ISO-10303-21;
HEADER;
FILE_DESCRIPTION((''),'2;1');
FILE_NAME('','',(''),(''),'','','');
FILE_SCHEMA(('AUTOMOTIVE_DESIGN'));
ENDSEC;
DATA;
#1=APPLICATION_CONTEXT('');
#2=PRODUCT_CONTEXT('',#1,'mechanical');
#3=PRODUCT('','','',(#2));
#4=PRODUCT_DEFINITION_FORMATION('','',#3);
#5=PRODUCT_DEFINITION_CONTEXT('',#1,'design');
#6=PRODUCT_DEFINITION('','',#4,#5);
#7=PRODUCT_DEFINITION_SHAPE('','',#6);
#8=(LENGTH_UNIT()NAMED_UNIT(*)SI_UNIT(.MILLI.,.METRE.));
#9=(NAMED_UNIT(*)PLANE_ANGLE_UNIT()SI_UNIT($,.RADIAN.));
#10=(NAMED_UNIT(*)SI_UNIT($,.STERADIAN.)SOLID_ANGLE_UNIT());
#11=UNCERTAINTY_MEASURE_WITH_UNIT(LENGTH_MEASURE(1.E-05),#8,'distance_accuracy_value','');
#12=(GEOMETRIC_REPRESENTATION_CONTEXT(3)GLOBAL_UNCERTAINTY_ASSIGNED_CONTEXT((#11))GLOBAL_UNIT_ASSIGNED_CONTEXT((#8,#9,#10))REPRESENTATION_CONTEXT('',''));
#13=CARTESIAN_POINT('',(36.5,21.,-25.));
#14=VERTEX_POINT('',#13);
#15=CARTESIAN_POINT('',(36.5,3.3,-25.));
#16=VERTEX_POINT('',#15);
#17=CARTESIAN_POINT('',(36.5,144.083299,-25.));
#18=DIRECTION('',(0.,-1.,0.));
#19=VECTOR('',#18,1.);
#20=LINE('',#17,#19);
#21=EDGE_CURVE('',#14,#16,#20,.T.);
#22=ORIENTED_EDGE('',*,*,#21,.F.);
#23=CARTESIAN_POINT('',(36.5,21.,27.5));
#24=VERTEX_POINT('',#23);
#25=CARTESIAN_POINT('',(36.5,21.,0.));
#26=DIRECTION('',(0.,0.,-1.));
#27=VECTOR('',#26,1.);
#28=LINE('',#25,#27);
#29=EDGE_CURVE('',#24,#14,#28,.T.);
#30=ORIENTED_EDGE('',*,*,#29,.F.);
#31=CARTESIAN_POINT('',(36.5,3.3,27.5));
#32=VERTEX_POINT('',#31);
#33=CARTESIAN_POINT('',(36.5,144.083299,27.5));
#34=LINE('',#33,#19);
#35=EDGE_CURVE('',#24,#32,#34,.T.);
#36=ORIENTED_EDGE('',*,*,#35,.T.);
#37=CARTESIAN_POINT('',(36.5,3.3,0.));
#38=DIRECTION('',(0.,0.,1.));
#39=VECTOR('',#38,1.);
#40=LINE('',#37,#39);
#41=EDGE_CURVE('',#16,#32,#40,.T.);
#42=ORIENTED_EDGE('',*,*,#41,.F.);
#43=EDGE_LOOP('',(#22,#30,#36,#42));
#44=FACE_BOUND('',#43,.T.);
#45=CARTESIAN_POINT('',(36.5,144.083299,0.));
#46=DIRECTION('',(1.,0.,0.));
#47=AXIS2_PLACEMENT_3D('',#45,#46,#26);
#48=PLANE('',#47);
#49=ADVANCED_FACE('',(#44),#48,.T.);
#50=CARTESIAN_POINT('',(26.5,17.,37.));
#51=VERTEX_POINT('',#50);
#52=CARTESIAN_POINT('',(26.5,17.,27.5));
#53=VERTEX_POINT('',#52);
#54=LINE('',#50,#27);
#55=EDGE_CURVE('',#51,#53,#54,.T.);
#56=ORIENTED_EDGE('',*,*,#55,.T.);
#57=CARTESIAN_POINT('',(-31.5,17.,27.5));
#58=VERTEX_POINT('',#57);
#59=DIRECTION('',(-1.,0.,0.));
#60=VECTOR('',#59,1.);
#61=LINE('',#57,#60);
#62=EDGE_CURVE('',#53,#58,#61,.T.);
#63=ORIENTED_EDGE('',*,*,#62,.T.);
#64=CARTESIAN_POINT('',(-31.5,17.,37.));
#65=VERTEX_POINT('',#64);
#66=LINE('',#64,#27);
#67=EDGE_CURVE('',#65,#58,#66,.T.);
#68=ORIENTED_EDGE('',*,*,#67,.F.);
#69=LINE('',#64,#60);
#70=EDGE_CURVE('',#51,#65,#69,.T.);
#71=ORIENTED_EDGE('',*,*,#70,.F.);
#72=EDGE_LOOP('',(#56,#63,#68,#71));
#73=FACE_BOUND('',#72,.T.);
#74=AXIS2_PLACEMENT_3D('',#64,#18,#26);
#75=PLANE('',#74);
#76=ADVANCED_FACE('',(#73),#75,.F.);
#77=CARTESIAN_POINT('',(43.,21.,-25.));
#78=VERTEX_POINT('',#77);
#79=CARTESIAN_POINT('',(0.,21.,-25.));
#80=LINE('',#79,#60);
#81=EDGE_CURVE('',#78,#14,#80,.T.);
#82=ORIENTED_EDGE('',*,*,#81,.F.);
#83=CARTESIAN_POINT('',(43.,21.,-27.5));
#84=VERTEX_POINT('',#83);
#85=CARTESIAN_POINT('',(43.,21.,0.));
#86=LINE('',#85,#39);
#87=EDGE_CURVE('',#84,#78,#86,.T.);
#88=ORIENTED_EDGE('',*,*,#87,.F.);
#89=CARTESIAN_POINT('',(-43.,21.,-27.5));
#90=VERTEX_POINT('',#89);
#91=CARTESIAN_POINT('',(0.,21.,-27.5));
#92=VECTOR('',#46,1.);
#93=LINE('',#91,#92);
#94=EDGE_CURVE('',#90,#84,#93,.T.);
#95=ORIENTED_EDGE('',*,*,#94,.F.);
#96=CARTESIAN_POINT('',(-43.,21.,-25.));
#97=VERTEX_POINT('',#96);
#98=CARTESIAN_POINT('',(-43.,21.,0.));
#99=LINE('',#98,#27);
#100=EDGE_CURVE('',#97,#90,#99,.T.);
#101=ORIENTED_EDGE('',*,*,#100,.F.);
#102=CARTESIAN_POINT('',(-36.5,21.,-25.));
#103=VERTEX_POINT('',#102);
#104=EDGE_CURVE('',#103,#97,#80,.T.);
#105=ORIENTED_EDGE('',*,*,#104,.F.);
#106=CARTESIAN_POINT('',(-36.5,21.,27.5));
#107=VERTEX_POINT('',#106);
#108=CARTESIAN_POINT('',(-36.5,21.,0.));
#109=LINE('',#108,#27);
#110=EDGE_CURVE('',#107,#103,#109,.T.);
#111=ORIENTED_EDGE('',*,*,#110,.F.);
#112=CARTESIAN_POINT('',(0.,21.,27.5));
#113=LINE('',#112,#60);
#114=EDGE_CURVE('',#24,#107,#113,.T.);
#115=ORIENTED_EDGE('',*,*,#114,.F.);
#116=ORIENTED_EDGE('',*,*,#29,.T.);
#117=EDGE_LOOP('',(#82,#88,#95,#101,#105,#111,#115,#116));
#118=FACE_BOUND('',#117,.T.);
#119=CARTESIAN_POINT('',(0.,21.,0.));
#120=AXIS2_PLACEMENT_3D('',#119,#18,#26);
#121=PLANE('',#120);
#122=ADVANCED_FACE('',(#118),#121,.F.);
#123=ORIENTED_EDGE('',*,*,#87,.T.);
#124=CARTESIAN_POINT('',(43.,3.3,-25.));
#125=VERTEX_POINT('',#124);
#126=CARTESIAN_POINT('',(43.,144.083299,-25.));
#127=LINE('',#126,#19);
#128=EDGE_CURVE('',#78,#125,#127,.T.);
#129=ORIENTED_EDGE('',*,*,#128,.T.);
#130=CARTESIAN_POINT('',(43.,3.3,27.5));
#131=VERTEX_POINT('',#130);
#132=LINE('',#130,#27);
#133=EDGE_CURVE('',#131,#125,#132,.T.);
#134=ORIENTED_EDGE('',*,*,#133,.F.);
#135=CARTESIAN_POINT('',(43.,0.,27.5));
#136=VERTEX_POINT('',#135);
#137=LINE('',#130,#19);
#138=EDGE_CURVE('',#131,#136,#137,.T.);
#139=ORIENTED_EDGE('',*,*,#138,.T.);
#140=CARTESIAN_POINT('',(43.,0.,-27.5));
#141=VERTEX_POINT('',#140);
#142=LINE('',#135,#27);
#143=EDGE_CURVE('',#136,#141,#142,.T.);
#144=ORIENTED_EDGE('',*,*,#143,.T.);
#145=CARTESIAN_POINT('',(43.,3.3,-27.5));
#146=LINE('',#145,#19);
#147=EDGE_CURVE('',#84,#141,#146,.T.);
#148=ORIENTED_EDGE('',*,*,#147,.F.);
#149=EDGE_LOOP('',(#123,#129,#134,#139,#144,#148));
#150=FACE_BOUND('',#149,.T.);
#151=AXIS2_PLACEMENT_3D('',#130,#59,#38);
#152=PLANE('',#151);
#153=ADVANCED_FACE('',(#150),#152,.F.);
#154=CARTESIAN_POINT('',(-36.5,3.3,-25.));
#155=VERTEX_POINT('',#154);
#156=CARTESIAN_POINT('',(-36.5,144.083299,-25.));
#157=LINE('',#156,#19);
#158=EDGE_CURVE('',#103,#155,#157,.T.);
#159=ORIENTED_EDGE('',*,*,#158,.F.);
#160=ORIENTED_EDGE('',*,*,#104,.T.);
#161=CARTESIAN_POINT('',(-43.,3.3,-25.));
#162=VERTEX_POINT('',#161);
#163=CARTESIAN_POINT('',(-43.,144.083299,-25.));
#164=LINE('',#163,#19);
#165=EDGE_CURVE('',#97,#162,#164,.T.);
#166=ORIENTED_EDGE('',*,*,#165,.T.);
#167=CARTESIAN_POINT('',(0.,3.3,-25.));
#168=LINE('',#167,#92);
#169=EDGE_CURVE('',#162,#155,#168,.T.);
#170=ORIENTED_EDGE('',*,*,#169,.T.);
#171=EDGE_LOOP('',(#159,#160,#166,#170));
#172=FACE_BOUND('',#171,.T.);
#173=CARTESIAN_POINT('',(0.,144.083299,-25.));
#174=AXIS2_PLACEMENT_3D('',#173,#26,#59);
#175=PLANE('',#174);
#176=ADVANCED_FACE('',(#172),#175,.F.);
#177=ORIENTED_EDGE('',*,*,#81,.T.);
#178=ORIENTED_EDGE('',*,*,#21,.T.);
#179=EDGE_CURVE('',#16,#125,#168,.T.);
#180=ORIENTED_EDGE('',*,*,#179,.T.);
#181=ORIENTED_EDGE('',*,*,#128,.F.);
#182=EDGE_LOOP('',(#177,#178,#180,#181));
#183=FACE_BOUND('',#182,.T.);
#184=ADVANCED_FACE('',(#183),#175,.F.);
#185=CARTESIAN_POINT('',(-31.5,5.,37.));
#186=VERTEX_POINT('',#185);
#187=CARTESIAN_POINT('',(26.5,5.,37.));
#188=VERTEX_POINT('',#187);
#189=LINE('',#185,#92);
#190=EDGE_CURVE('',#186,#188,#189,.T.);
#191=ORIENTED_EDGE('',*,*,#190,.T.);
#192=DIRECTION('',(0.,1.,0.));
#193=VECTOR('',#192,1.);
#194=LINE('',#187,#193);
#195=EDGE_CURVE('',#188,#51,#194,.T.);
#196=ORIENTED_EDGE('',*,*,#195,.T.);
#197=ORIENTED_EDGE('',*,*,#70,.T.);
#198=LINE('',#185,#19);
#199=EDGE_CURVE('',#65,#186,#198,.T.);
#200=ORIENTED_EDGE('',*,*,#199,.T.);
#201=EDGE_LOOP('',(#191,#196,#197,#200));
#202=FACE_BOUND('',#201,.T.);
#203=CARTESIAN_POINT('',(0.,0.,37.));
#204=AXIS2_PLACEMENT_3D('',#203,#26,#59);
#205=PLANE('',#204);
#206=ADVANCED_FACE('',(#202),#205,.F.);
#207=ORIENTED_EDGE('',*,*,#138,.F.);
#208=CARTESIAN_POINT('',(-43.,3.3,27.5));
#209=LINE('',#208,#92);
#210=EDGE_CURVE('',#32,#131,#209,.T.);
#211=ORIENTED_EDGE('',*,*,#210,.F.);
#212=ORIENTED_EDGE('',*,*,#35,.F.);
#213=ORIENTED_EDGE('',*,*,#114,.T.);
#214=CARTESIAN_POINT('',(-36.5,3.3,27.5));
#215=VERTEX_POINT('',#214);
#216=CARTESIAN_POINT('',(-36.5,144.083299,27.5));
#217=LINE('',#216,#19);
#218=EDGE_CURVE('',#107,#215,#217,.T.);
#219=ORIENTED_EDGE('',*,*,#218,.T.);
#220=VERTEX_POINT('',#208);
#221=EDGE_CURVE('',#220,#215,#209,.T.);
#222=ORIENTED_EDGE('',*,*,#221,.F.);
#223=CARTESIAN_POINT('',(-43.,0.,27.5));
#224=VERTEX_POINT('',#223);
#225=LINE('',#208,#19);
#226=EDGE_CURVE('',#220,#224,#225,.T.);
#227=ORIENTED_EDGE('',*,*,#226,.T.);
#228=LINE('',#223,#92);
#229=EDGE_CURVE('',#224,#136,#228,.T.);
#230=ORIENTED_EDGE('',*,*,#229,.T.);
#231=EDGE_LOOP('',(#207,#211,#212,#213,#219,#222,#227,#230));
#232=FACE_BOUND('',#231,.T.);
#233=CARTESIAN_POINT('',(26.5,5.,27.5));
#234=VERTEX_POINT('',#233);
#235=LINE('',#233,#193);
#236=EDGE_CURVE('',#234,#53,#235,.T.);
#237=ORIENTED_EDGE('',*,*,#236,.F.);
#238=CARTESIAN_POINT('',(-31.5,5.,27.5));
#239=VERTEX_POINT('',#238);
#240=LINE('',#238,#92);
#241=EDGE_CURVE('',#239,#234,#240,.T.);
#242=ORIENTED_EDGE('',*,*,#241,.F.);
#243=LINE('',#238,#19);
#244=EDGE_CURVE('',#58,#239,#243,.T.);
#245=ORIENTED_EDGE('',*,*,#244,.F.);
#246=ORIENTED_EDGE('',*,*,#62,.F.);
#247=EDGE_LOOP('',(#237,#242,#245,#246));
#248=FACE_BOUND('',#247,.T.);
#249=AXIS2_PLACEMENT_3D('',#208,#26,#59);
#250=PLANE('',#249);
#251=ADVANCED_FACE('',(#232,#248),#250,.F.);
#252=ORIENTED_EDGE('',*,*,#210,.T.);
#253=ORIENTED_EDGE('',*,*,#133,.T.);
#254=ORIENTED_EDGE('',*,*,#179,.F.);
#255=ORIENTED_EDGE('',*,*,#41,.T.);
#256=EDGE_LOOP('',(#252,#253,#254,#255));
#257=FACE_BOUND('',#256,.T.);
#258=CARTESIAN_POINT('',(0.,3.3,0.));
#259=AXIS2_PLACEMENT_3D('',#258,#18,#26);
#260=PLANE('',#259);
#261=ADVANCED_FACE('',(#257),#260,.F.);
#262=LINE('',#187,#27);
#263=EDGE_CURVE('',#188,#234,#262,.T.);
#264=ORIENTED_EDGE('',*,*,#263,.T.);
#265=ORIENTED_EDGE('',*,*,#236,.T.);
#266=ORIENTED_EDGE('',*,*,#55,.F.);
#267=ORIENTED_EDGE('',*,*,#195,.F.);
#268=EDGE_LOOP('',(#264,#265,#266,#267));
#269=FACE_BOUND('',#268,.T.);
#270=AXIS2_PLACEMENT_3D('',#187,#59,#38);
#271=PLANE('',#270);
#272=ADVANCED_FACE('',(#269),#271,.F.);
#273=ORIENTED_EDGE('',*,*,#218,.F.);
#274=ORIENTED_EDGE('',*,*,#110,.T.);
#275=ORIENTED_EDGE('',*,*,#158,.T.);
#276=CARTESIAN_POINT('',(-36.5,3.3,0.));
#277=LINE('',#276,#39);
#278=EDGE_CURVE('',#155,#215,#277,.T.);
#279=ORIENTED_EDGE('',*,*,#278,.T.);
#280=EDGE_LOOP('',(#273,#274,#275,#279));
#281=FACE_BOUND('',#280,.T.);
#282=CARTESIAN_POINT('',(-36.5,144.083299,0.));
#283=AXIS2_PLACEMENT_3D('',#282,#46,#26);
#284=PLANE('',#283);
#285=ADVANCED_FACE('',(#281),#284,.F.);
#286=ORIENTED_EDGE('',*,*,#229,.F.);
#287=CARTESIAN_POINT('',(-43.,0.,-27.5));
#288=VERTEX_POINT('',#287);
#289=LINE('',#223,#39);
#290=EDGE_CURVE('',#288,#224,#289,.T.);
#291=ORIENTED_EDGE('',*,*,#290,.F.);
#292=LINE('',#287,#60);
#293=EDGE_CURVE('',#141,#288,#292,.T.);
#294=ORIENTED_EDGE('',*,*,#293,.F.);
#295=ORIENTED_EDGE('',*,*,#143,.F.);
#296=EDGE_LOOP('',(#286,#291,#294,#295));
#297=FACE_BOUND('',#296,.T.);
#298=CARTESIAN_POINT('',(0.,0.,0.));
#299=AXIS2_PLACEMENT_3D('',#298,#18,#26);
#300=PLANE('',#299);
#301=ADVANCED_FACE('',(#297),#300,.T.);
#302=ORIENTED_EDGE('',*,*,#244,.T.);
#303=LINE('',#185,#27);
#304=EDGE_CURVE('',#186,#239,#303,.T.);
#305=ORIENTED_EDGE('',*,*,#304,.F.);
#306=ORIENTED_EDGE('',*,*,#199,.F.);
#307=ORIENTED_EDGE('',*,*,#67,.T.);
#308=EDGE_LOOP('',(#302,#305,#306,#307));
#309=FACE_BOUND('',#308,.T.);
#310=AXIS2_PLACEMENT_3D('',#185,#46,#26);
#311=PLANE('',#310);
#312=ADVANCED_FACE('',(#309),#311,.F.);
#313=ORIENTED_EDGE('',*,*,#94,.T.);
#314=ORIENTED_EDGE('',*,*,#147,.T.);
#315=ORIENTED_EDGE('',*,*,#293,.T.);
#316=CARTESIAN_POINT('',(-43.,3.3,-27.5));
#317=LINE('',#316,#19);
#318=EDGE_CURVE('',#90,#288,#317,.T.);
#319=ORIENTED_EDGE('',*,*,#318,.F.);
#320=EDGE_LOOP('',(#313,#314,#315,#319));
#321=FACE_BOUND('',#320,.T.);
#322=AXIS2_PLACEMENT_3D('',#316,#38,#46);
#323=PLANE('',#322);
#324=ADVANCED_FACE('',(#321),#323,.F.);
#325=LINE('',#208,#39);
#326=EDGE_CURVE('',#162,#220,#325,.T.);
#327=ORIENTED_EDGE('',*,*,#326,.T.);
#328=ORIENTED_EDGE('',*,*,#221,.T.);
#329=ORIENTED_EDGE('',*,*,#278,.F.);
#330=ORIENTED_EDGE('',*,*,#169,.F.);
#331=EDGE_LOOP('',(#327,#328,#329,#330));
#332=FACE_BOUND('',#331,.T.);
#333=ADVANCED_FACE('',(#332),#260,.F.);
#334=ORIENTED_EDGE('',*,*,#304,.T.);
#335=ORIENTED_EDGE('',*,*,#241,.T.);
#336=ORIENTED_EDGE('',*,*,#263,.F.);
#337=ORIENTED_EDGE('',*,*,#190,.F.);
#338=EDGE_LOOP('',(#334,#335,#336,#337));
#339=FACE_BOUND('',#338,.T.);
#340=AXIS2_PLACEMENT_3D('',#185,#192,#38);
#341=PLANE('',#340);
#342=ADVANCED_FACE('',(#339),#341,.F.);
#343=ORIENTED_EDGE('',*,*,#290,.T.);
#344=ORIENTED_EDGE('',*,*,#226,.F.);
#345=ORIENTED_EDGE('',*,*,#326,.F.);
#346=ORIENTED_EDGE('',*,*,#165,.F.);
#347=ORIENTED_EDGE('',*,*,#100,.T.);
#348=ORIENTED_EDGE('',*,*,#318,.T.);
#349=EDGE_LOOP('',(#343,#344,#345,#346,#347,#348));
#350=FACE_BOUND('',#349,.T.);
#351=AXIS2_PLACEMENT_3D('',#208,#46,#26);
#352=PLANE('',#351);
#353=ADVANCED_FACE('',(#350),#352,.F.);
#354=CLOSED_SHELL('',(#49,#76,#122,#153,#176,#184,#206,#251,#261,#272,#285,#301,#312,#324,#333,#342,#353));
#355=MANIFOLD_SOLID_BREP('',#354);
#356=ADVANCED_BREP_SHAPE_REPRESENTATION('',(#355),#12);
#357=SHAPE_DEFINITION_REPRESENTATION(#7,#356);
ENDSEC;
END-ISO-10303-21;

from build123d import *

# Parameters (mm, degrees)
SKETCH1_W           = 86
SKETCH1_H           = 55
BOSS_EXTRUDE1_DEPTH = 3.3
BOSS_EXTRUDE2_DEPTH = 17.7
SKETCH3_W           = 58
SKETCH3_H           = 12
BOSS_EXTRUDE3_DEPTH = 9.5


with BuildPart() as part:
    # Sketch1 → Boss-Extrude1 (new body)
    with BuildSketch(Plane(origin=(0, 0, 0), x_dir=(1, 0, 0), z_dir=(0, 1, 0))):
        Rectangle(SKETCH1_W, SKETCH1_H)
    extrude(amount=BOSS_EXTRUDE1_DEPTH)

    # Sketch2 → Boss-Extrude2 (add)
    with BuildSketch(Plane(origin=(0, 3.3, 0), x_dir=(1, 0, 0), z_dir=(0, 1, 0))):
        Polygon((43, 27.5), (-43, 27.5), (-43, 25), (-36.5, 25), (-36.5, -27.5), (36.5, -27.5), (36.5, 25), (43, 25), align=None)
    extrude(amount=BOSS_EXTRUDE2_DEPTH)

    # Sketch3 → Boss-Extrude3 (add)
    with BuildSketch(Plane.XY.offset(27.5)):
        with Locations((-2.5, 11)):
            Rectangle(SKETCH3_W, SKETCH3_H)
    extrude(amount=BOSS_EXTRUDE3_DEPTH)


solid = part.part
